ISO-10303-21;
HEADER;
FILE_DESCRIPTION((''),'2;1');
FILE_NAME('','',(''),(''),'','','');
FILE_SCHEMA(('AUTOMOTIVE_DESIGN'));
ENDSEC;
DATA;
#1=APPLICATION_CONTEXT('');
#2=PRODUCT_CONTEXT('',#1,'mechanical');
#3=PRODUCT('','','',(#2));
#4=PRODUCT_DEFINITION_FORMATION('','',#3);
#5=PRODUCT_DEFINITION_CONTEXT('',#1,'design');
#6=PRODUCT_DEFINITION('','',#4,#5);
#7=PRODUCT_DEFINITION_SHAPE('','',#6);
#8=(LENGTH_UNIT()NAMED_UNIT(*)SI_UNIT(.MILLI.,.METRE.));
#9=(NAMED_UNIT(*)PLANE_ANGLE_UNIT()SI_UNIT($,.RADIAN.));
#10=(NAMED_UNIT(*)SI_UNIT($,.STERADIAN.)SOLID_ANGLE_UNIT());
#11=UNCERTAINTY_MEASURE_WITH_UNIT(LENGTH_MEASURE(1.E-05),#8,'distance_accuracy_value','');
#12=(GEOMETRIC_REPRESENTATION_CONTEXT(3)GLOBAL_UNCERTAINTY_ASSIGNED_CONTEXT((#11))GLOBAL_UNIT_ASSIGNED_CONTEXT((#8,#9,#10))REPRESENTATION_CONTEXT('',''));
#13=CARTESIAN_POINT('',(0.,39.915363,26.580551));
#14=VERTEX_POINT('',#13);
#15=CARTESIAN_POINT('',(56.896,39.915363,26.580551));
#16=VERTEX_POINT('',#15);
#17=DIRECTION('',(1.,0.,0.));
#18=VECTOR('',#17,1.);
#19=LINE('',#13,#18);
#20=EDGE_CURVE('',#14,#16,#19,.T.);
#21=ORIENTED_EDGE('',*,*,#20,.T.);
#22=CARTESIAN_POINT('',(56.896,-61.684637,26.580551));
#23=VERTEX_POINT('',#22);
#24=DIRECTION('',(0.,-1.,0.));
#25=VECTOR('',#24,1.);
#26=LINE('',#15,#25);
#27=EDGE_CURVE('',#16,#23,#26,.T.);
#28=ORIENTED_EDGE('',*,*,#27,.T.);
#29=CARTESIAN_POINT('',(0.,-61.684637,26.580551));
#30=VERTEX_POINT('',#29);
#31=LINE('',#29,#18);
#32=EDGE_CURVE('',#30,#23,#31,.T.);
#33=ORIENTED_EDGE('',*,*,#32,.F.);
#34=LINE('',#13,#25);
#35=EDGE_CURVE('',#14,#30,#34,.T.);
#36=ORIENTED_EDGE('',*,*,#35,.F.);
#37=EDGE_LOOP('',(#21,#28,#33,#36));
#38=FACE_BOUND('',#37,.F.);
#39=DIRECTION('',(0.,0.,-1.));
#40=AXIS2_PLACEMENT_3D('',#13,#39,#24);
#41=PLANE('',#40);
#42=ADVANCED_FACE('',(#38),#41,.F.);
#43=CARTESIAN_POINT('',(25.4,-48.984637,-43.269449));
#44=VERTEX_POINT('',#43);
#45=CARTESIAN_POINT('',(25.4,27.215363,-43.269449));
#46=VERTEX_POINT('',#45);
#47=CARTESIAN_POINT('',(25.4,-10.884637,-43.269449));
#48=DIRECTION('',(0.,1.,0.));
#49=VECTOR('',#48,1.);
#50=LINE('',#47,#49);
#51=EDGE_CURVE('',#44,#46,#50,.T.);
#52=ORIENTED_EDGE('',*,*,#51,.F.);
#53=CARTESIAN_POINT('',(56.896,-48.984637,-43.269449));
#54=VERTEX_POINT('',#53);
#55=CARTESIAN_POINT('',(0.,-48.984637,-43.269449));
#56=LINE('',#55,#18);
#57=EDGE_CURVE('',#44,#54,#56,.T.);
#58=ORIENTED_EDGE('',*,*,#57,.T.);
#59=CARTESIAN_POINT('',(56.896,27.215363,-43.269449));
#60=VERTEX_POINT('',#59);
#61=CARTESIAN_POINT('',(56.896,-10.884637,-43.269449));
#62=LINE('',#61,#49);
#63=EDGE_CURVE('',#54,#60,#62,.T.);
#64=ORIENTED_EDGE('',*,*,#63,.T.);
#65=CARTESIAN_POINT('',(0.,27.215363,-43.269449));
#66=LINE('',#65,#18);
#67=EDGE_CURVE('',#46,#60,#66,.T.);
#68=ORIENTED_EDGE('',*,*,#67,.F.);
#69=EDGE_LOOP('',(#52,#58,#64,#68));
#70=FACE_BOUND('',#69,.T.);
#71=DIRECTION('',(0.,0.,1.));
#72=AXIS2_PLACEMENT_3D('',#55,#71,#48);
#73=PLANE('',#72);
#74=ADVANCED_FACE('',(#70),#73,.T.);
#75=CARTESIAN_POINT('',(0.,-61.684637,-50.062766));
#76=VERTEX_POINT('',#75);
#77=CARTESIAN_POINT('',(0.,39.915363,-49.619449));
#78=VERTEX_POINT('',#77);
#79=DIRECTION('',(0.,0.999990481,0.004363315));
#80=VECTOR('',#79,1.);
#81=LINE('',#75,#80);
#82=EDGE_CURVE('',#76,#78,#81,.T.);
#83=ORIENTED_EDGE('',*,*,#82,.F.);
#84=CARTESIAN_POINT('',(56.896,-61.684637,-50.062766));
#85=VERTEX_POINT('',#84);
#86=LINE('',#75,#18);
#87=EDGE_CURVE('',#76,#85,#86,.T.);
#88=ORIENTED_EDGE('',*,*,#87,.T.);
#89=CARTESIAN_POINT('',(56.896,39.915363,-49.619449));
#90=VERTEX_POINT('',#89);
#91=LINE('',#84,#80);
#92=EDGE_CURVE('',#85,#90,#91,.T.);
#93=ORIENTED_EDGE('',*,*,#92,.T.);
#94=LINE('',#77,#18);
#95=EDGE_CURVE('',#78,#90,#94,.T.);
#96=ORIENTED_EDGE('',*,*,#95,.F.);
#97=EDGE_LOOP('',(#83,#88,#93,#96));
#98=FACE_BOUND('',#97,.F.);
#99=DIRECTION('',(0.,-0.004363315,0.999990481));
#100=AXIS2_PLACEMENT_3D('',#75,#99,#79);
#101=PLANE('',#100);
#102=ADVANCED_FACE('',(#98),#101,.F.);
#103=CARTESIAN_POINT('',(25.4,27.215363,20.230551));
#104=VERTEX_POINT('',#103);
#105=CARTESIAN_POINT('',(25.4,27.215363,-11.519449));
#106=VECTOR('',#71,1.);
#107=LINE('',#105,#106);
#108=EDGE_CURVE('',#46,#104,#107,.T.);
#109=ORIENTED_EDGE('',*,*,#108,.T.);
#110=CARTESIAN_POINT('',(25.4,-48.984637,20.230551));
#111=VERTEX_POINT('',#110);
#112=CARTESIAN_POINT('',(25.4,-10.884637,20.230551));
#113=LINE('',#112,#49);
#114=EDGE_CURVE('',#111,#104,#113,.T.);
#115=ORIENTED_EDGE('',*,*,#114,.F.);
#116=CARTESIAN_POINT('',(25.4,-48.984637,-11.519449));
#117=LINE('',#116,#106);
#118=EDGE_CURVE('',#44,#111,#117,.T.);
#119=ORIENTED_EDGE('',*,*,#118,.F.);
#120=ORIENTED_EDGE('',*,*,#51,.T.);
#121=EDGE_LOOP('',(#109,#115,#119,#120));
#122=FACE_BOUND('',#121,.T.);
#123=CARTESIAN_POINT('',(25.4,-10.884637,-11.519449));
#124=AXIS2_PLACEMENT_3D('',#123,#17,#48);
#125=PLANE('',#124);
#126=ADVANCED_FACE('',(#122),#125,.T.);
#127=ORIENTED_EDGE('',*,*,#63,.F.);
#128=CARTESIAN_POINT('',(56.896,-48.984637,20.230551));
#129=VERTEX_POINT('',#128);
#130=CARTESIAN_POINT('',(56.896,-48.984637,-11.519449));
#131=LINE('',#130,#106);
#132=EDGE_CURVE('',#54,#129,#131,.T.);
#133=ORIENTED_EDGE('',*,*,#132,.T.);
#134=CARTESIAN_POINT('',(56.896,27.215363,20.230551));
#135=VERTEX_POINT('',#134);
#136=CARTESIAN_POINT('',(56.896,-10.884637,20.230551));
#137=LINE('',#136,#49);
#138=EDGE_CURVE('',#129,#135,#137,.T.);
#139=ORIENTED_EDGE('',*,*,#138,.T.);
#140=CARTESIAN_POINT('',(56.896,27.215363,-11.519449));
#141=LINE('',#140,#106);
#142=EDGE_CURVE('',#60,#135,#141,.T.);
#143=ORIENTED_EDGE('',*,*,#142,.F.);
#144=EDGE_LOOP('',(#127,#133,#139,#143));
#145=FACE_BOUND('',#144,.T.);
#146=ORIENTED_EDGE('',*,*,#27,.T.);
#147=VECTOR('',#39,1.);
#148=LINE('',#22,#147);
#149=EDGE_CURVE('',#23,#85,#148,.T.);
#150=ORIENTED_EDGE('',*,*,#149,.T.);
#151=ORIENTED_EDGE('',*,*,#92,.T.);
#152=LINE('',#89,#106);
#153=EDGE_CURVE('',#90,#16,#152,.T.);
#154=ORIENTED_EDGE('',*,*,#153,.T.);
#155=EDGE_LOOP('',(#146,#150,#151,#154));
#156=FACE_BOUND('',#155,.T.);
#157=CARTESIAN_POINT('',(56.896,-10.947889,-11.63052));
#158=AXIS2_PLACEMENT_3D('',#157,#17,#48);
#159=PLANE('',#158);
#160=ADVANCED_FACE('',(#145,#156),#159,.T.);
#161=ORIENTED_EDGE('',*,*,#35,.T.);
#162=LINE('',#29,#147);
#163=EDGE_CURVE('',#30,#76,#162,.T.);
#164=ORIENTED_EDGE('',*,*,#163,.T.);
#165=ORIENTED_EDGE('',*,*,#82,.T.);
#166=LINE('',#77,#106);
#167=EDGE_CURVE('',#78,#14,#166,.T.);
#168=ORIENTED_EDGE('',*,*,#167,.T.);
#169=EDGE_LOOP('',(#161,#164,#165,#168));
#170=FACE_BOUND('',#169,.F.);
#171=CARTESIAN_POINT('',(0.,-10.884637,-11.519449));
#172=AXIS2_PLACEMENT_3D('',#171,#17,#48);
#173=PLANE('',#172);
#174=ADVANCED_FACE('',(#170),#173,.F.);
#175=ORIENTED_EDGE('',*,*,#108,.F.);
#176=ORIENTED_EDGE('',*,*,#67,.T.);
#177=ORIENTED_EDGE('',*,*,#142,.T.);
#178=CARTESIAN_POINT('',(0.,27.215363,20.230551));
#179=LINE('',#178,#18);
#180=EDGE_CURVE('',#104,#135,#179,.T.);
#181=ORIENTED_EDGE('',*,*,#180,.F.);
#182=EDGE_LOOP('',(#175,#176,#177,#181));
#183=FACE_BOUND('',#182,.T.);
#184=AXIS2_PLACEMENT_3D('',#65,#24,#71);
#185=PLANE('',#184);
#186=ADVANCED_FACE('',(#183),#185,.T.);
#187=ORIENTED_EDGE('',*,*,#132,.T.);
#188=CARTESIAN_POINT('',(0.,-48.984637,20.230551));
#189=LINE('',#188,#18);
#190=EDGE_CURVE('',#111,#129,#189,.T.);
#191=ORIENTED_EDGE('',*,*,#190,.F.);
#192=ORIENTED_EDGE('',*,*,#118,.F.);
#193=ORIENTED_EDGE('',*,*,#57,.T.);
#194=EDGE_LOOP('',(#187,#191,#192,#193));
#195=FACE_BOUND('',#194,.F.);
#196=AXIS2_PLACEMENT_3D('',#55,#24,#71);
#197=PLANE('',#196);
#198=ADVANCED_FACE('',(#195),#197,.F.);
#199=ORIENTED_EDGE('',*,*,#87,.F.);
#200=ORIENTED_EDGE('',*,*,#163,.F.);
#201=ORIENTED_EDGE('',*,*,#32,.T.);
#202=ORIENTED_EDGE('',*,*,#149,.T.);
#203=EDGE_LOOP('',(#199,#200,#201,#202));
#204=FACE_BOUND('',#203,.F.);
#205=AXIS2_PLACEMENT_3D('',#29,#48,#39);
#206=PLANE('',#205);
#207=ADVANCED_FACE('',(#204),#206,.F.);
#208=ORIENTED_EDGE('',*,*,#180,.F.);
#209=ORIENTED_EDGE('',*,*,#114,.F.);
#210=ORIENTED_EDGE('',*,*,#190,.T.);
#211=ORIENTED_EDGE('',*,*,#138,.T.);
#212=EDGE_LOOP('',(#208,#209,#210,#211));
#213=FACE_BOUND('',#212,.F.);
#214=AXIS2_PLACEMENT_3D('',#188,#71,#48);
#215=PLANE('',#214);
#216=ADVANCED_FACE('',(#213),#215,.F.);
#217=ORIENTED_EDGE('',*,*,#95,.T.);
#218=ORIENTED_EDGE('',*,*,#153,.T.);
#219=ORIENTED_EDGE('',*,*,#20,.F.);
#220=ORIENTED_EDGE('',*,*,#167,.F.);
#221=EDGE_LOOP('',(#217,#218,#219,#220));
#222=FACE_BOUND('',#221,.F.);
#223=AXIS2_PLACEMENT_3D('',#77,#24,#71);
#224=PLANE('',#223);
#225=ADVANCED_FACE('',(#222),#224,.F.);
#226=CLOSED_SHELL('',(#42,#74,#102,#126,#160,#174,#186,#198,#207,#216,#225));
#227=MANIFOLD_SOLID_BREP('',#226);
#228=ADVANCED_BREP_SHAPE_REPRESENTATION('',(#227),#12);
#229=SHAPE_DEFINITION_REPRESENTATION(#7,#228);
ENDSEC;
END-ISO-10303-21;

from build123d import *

# Parameters (mm, degrees)
F0_W     = 76.2
F0_H     = 63.5
F1_DEPTH = 56.896
F2_DEPTH = 25.4


with BuildPart() as f1:
    # F0 (on Right) → F1 (new body)
    with BuildSketch(Plane.YZ):
        Polygon((-61.684637, -50.062766), (39.915363, -49.619449), (39.915363, 26.580551), (-61.684637, 26.580551), align=None)
        with Locations((-10.884637, -11.519449)):
            Rectangle(F0_W, F0_H, mode=Mode.SUBTRACT)
    extrude(amount=F1_DEPTH)

    # F0 (on Right) → F2 (join)
    with BuildSketch(Plane.YZ):
        with Locations((-10.884637, -11.519449)):
            Rectangle(F0_W, F0_H)
    extrude(amount=F2_DEPTH)


solid = f1.part
